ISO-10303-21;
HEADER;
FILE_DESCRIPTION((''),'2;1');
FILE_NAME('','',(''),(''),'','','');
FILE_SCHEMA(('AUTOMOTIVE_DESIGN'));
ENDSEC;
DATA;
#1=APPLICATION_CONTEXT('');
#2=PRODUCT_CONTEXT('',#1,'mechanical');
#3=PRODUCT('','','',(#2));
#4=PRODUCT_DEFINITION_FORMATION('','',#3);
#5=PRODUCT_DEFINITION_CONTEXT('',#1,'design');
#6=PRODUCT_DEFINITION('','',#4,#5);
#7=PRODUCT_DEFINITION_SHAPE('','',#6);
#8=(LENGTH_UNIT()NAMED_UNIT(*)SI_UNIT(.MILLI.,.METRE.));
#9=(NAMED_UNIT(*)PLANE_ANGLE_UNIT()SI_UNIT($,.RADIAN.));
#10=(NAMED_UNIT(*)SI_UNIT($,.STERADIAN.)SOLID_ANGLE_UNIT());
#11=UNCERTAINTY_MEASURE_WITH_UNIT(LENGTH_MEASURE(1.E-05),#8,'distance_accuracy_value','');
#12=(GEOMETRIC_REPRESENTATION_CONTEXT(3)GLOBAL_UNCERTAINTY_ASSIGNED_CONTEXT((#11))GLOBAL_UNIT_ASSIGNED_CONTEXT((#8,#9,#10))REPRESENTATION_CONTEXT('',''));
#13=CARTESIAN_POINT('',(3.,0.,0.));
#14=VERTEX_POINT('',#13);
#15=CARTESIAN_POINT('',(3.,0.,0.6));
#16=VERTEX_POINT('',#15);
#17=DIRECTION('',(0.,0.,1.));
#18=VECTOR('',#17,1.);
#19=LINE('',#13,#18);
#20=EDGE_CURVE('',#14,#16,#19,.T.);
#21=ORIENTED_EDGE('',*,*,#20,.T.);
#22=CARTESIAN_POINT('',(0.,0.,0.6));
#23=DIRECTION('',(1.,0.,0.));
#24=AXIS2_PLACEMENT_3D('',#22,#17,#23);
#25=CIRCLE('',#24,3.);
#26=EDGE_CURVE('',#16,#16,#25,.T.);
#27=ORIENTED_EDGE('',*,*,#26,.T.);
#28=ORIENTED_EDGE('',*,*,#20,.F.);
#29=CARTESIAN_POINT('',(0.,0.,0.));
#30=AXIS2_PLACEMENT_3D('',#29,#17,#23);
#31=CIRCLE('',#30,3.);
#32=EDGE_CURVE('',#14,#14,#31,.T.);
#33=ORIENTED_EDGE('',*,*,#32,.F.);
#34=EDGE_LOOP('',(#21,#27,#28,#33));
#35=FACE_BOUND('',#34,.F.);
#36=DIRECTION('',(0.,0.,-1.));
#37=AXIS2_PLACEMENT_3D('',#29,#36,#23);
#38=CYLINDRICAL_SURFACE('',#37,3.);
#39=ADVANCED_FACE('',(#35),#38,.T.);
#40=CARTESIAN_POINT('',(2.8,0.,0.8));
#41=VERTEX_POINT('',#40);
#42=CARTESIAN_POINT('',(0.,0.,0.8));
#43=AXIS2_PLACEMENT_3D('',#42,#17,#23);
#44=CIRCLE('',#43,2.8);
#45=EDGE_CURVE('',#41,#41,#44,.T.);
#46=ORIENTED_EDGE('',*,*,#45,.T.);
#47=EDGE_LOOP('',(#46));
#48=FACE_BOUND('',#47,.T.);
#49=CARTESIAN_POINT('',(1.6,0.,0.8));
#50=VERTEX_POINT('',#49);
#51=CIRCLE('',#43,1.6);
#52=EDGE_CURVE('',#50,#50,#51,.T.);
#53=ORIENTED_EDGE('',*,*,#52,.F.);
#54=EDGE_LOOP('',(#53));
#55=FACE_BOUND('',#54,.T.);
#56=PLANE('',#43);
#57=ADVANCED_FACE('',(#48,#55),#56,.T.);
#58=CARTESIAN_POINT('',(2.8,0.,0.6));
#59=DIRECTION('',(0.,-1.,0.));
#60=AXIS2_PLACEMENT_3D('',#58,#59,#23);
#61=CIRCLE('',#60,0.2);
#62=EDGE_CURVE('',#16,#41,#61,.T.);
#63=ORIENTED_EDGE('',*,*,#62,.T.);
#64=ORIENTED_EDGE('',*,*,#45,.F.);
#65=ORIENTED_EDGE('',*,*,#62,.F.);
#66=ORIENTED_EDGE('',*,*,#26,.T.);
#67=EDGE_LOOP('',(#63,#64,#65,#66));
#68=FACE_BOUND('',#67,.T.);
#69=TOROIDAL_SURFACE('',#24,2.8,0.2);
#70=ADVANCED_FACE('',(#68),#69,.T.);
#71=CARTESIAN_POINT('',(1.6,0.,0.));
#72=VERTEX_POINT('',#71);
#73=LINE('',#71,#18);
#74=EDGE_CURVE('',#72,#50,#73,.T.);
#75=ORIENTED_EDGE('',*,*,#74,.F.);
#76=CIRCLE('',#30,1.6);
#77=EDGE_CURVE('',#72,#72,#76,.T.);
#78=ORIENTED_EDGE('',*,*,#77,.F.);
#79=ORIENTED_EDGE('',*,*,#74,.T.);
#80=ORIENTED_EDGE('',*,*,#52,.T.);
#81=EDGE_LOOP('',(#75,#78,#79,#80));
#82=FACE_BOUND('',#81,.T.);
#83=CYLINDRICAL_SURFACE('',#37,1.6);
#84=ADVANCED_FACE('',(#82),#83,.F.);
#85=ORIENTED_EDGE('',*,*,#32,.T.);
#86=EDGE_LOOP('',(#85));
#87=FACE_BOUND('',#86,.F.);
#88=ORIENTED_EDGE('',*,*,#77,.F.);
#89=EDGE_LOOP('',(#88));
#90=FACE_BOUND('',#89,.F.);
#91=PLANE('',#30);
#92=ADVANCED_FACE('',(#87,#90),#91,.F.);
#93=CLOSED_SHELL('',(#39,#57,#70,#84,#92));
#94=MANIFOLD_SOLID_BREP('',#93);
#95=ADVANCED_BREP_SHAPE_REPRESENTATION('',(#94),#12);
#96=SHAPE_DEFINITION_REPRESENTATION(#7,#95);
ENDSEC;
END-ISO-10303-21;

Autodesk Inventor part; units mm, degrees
ref_plane "YZ Plane" through (0, 0, 0) normal (1, 0, 0) x (0, 1, 0)
ref_plane "XZ Plane" through (0, 0, 0) normal (0, 1, 0) x (-1, 0, 0)
ref_plane "XY Plane" through (0, 0, 0) normal (0, 0, 1) x (1, 0, 0)
sketch "スケッチ1" plane through (0, 0, 0) normal (0, 0, 1) x (1, 0, 0)
  circle A0 centre (0, 0) radius 1.6
  circle A1 centre (0, 0) radius 3
  dimension "d0" = 3.2
  dimension "d1" = 6
extrude "押し出し1" add sketch "スケッチ1" along normal blind 0.8
fillet "フィレット1" radius 0.2 1 edges at (-3, 0, 0.8)
properties part number "Spring_M3_for_SetCollar_d6" material "ステンレス鋼"
